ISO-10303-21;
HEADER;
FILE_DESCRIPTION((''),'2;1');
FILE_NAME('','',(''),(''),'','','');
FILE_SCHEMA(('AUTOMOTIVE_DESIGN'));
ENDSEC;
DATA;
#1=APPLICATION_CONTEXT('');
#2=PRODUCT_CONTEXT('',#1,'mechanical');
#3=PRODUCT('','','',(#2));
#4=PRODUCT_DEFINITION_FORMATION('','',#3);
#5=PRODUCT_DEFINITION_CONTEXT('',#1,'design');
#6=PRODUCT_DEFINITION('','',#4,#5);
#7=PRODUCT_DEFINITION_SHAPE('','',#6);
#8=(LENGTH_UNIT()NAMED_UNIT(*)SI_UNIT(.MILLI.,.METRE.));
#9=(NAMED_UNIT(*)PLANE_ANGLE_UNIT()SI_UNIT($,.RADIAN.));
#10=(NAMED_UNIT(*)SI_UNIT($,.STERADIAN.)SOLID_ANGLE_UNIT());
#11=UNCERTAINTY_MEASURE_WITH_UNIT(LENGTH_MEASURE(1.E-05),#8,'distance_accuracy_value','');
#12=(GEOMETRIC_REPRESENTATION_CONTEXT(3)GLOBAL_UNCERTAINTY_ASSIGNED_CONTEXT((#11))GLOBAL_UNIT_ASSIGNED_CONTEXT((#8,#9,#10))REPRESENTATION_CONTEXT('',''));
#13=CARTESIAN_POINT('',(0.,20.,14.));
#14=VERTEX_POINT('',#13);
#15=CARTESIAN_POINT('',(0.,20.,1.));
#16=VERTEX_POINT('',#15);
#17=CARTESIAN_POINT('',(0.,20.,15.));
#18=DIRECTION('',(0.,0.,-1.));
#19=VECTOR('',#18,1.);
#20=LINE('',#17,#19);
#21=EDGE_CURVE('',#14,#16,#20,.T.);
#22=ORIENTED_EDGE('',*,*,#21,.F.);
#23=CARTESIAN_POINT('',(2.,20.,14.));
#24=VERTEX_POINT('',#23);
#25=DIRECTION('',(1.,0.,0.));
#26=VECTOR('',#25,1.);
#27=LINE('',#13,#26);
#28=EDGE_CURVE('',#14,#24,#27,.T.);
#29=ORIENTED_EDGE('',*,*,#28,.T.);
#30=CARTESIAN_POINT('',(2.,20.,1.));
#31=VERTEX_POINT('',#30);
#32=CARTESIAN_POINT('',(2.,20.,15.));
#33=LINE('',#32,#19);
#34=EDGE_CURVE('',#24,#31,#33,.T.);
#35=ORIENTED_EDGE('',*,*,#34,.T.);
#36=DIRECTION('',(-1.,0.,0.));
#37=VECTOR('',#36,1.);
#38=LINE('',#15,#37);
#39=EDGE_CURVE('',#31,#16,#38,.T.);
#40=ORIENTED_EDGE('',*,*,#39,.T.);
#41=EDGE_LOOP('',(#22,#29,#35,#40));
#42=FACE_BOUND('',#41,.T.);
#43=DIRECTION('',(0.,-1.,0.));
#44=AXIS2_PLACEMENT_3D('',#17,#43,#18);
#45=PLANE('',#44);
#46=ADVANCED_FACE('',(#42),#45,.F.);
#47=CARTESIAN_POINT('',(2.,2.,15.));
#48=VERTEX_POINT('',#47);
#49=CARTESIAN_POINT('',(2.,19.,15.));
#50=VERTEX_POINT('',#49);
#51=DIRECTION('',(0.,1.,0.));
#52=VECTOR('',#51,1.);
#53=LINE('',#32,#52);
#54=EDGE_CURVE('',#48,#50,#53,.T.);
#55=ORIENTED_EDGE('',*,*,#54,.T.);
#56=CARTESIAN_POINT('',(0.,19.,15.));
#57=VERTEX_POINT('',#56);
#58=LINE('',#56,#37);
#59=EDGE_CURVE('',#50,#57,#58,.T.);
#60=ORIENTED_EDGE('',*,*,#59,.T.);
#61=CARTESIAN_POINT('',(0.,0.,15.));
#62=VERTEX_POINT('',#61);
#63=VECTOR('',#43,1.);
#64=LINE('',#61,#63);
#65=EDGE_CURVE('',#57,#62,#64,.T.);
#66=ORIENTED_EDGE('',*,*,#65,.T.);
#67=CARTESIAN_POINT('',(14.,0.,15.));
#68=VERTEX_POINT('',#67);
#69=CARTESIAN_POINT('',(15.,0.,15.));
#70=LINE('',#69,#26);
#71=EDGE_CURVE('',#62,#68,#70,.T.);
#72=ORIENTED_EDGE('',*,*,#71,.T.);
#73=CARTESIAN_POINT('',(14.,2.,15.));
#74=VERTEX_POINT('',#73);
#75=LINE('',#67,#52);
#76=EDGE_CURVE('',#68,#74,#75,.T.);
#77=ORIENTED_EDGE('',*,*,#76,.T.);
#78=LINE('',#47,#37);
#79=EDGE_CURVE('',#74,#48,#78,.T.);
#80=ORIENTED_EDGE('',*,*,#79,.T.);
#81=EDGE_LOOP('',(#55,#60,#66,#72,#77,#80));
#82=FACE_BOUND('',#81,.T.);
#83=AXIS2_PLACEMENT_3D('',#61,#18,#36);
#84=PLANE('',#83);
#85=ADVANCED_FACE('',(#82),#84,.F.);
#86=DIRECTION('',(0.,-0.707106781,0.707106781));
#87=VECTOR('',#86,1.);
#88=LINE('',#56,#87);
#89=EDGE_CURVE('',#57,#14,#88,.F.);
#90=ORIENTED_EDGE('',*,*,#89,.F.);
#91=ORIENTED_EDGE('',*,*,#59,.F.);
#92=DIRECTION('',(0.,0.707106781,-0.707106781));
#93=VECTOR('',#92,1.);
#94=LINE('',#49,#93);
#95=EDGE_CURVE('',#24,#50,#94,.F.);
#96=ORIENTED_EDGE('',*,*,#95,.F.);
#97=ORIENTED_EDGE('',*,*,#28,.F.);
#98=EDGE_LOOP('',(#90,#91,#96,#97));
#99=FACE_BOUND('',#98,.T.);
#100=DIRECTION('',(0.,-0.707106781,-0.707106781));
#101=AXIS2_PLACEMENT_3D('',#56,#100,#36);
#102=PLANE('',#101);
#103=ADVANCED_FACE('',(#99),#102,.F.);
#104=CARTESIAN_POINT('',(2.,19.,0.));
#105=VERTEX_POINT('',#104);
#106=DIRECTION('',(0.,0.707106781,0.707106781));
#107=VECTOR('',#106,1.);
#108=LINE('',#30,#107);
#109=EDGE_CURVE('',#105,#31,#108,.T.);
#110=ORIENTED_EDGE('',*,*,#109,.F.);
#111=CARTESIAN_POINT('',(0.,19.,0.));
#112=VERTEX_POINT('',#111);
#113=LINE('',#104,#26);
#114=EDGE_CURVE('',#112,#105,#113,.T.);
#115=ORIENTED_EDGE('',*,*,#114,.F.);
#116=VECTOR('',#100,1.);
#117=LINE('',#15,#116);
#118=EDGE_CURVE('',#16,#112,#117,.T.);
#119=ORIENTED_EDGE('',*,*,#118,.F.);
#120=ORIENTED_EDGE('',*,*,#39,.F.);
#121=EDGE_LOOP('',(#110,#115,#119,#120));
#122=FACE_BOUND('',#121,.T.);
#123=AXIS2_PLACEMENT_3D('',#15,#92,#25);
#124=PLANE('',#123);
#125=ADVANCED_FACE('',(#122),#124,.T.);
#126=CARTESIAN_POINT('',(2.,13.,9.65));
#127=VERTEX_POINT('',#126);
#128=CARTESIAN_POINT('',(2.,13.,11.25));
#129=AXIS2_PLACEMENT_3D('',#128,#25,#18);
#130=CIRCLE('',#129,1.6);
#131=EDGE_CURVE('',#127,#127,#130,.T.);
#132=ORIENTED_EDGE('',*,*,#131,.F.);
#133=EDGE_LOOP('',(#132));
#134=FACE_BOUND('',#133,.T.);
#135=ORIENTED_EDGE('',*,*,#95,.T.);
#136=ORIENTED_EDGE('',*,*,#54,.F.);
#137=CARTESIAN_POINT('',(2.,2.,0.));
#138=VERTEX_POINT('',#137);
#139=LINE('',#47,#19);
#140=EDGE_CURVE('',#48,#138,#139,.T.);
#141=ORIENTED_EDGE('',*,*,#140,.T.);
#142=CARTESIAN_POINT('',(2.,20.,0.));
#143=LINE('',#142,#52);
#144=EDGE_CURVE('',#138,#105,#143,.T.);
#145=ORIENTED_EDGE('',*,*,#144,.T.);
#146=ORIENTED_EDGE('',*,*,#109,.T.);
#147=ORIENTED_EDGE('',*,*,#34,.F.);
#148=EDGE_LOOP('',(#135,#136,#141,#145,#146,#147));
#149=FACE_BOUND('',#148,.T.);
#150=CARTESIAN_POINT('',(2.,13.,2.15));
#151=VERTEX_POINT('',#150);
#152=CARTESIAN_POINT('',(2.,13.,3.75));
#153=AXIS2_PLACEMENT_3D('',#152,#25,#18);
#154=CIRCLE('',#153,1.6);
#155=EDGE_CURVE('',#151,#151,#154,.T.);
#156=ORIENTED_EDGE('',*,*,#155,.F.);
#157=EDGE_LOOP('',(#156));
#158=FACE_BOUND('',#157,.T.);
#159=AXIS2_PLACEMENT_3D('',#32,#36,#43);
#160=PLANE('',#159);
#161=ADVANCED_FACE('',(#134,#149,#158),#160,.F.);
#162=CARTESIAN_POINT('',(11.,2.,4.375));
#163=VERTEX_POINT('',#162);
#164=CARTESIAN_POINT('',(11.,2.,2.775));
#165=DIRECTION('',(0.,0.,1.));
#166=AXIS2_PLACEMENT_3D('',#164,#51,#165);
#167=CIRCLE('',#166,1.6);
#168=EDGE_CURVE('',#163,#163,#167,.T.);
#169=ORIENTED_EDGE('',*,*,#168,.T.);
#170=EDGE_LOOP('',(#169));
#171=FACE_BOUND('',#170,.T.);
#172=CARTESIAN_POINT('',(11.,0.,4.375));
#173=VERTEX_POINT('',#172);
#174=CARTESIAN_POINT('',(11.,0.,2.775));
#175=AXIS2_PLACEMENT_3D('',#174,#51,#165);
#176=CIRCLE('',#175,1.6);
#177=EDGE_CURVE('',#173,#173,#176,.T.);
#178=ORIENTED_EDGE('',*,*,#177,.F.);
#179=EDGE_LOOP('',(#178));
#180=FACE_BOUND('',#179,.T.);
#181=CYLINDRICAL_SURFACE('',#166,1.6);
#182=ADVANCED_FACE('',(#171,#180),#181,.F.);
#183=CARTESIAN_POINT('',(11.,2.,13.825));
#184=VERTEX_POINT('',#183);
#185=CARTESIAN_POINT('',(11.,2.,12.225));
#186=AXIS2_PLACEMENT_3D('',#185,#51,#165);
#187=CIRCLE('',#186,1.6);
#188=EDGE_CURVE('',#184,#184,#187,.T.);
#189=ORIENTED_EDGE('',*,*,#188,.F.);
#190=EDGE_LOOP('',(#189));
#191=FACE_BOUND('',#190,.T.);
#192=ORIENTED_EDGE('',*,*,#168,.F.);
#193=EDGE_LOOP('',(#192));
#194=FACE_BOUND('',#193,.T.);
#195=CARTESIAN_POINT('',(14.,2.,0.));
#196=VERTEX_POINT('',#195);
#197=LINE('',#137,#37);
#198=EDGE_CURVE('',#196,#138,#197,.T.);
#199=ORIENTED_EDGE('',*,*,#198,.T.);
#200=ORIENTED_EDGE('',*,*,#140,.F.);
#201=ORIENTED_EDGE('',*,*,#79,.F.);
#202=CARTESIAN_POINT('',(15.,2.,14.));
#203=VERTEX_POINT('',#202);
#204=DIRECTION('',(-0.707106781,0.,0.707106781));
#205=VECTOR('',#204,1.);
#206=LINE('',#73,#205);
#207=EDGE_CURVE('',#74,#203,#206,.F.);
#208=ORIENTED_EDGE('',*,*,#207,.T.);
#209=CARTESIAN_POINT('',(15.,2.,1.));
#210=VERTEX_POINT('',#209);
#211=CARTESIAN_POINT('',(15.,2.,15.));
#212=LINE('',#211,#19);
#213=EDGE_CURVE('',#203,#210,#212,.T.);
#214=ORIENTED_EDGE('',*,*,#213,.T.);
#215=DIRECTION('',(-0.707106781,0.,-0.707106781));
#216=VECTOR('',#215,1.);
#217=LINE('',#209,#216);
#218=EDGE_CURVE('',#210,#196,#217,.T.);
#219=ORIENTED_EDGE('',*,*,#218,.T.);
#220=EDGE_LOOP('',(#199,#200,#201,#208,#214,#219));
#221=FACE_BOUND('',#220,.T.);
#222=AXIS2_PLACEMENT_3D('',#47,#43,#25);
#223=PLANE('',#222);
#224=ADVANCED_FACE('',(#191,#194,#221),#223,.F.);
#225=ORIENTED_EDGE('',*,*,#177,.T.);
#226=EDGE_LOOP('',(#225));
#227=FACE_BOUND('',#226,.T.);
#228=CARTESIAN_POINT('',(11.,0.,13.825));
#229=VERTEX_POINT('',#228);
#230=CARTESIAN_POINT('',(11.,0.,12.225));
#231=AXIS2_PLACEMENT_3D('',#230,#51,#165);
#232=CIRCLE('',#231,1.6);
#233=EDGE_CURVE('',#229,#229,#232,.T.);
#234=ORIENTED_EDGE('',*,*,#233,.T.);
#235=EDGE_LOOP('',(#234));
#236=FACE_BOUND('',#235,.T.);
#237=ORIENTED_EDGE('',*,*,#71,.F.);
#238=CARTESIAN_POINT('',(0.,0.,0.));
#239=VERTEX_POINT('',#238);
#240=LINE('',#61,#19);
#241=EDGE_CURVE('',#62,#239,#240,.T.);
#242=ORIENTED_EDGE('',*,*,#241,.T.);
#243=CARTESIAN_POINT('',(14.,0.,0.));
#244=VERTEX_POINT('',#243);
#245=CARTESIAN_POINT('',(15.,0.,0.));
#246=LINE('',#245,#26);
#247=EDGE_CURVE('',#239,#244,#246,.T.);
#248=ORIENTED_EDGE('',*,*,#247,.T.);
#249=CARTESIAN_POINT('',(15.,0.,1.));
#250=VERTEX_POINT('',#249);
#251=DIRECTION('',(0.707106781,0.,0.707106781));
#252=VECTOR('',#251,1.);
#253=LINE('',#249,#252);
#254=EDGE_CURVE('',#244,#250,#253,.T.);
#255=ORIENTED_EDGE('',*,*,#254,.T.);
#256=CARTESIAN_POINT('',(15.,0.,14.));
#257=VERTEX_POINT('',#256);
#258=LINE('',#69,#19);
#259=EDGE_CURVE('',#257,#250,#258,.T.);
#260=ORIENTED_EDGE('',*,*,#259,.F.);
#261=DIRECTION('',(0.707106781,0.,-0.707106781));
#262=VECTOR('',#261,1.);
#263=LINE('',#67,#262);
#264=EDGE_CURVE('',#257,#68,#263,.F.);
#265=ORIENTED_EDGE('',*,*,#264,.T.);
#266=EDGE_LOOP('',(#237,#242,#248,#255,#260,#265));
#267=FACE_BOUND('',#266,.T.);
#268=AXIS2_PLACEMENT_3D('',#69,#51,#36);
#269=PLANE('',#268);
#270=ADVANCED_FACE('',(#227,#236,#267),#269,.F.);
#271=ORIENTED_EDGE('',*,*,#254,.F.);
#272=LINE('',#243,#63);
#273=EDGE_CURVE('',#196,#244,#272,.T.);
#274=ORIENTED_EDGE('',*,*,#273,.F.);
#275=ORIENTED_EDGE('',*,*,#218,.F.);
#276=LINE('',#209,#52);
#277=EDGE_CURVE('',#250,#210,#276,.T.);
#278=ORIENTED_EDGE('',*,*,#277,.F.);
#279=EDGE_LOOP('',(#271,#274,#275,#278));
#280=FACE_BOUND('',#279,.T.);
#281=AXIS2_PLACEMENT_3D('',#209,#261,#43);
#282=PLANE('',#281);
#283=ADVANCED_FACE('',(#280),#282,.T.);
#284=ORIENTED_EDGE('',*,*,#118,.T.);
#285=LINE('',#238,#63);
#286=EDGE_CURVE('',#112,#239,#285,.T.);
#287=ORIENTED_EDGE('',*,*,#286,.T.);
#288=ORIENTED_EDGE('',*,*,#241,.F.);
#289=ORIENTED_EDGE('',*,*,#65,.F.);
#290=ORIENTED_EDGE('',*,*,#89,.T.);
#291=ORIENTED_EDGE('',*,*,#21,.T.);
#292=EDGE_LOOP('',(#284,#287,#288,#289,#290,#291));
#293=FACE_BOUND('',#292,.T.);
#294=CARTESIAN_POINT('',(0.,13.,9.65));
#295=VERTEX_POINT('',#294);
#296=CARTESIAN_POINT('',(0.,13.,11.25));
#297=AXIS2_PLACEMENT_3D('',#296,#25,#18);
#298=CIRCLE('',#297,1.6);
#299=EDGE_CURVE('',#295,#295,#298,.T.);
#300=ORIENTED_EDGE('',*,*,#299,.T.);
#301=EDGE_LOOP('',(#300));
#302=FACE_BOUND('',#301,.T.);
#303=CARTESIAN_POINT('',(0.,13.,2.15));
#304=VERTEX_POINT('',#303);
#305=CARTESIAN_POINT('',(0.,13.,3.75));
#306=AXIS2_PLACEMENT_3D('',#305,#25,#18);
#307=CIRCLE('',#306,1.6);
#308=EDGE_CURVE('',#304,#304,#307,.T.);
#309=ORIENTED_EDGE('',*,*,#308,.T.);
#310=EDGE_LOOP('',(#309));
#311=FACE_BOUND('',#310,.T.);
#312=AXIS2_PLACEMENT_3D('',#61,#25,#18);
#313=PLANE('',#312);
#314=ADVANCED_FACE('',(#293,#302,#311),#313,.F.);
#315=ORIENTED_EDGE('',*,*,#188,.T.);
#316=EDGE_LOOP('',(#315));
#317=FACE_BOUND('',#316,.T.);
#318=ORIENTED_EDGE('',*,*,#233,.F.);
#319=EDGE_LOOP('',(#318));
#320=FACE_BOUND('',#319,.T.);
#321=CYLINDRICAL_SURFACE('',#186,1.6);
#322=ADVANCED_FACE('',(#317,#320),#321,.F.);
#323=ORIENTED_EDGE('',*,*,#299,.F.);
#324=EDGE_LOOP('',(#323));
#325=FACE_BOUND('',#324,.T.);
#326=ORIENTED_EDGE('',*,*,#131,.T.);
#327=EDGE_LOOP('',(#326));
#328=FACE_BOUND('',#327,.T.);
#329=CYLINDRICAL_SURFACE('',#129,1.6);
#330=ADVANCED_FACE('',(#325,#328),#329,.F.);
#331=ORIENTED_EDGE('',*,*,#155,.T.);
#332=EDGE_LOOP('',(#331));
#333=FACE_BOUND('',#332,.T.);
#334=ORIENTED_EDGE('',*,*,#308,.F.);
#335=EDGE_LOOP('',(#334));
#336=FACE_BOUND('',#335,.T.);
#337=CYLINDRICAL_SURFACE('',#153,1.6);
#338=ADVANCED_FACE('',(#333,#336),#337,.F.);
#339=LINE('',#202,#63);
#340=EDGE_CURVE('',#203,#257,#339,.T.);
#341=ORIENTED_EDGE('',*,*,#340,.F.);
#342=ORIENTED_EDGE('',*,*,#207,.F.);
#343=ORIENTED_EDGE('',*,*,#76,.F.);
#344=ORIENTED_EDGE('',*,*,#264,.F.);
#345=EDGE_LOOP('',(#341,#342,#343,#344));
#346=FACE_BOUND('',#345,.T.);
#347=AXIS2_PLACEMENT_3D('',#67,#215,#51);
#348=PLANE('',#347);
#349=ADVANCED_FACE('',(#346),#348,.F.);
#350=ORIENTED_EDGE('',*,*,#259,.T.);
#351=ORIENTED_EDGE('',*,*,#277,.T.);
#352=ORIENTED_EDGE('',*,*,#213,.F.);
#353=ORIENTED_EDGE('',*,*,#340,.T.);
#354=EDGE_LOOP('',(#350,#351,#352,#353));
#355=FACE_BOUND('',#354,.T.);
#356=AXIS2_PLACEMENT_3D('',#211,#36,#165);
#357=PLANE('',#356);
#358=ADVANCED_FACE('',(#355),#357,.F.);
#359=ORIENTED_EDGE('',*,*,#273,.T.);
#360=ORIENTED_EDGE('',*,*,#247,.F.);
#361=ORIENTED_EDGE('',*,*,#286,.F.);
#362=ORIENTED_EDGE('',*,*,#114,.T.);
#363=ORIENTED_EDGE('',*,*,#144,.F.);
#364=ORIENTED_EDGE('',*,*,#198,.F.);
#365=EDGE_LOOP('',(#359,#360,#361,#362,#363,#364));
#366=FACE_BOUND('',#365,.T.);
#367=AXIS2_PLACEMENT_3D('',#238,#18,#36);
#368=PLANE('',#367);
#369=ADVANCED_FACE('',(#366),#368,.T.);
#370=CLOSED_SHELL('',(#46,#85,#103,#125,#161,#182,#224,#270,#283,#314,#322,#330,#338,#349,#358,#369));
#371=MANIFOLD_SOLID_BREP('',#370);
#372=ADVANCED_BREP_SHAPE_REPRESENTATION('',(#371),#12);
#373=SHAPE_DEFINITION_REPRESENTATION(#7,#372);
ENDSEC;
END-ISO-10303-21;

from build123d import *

# Parameters (mm, degrees)
BODY_DEPTH              = 15
CHAMFER1_SIZE           = 1
F_3_2_3_2_FORSENSOR_D   = 3.2
F_3_2_3_2_FORCARRIAGE_D = 3.2


with BuildPart() as part:
    # Sketch1 → Body (new body)
    with BuildSketch(Plane.XY):
        Polygon((0, 0), (0, 20), (2, 20), (2, 2), (15, 2), (15, 0), align=None)
    extrude(amount=BODY_DEPTH)

    # Chamfer1
    chamfer1_edges = [part.edges().sort_by_distance(p)[0] for p in [
        (1, 20, 15),
        (1, 20, 0),
        (15, 1, 15),
        (15, 1, 0),
    ]]
    chamfer(chamfer1_edges, length=CHAMFER1_SIZE)

    # Ø3.2 (3.2) ForSensor (through all)
    with Locations(Plane(origin=(0, 2, 0), x_dir=(1, 0, 0), z_dir=(0, 1, 0))):
        with Locations((11, -2.775), (11, -12.225)):
            Hole(F_3_2_3_2_FORSENSOR_D / 2)

    # Ø3.2 (3.2) ForCarriage (through all)
    with Locations(Plane(origin=(2, 0, 0), x_dir=(0, 0, -1), z_dir=(1, 0, 0))):
        with Locations((-11.25, 13), (-3.75, 13)):
            Hole(F_3_2_3_2_FORCARRIAGE_D / 2)


solid = part.part
